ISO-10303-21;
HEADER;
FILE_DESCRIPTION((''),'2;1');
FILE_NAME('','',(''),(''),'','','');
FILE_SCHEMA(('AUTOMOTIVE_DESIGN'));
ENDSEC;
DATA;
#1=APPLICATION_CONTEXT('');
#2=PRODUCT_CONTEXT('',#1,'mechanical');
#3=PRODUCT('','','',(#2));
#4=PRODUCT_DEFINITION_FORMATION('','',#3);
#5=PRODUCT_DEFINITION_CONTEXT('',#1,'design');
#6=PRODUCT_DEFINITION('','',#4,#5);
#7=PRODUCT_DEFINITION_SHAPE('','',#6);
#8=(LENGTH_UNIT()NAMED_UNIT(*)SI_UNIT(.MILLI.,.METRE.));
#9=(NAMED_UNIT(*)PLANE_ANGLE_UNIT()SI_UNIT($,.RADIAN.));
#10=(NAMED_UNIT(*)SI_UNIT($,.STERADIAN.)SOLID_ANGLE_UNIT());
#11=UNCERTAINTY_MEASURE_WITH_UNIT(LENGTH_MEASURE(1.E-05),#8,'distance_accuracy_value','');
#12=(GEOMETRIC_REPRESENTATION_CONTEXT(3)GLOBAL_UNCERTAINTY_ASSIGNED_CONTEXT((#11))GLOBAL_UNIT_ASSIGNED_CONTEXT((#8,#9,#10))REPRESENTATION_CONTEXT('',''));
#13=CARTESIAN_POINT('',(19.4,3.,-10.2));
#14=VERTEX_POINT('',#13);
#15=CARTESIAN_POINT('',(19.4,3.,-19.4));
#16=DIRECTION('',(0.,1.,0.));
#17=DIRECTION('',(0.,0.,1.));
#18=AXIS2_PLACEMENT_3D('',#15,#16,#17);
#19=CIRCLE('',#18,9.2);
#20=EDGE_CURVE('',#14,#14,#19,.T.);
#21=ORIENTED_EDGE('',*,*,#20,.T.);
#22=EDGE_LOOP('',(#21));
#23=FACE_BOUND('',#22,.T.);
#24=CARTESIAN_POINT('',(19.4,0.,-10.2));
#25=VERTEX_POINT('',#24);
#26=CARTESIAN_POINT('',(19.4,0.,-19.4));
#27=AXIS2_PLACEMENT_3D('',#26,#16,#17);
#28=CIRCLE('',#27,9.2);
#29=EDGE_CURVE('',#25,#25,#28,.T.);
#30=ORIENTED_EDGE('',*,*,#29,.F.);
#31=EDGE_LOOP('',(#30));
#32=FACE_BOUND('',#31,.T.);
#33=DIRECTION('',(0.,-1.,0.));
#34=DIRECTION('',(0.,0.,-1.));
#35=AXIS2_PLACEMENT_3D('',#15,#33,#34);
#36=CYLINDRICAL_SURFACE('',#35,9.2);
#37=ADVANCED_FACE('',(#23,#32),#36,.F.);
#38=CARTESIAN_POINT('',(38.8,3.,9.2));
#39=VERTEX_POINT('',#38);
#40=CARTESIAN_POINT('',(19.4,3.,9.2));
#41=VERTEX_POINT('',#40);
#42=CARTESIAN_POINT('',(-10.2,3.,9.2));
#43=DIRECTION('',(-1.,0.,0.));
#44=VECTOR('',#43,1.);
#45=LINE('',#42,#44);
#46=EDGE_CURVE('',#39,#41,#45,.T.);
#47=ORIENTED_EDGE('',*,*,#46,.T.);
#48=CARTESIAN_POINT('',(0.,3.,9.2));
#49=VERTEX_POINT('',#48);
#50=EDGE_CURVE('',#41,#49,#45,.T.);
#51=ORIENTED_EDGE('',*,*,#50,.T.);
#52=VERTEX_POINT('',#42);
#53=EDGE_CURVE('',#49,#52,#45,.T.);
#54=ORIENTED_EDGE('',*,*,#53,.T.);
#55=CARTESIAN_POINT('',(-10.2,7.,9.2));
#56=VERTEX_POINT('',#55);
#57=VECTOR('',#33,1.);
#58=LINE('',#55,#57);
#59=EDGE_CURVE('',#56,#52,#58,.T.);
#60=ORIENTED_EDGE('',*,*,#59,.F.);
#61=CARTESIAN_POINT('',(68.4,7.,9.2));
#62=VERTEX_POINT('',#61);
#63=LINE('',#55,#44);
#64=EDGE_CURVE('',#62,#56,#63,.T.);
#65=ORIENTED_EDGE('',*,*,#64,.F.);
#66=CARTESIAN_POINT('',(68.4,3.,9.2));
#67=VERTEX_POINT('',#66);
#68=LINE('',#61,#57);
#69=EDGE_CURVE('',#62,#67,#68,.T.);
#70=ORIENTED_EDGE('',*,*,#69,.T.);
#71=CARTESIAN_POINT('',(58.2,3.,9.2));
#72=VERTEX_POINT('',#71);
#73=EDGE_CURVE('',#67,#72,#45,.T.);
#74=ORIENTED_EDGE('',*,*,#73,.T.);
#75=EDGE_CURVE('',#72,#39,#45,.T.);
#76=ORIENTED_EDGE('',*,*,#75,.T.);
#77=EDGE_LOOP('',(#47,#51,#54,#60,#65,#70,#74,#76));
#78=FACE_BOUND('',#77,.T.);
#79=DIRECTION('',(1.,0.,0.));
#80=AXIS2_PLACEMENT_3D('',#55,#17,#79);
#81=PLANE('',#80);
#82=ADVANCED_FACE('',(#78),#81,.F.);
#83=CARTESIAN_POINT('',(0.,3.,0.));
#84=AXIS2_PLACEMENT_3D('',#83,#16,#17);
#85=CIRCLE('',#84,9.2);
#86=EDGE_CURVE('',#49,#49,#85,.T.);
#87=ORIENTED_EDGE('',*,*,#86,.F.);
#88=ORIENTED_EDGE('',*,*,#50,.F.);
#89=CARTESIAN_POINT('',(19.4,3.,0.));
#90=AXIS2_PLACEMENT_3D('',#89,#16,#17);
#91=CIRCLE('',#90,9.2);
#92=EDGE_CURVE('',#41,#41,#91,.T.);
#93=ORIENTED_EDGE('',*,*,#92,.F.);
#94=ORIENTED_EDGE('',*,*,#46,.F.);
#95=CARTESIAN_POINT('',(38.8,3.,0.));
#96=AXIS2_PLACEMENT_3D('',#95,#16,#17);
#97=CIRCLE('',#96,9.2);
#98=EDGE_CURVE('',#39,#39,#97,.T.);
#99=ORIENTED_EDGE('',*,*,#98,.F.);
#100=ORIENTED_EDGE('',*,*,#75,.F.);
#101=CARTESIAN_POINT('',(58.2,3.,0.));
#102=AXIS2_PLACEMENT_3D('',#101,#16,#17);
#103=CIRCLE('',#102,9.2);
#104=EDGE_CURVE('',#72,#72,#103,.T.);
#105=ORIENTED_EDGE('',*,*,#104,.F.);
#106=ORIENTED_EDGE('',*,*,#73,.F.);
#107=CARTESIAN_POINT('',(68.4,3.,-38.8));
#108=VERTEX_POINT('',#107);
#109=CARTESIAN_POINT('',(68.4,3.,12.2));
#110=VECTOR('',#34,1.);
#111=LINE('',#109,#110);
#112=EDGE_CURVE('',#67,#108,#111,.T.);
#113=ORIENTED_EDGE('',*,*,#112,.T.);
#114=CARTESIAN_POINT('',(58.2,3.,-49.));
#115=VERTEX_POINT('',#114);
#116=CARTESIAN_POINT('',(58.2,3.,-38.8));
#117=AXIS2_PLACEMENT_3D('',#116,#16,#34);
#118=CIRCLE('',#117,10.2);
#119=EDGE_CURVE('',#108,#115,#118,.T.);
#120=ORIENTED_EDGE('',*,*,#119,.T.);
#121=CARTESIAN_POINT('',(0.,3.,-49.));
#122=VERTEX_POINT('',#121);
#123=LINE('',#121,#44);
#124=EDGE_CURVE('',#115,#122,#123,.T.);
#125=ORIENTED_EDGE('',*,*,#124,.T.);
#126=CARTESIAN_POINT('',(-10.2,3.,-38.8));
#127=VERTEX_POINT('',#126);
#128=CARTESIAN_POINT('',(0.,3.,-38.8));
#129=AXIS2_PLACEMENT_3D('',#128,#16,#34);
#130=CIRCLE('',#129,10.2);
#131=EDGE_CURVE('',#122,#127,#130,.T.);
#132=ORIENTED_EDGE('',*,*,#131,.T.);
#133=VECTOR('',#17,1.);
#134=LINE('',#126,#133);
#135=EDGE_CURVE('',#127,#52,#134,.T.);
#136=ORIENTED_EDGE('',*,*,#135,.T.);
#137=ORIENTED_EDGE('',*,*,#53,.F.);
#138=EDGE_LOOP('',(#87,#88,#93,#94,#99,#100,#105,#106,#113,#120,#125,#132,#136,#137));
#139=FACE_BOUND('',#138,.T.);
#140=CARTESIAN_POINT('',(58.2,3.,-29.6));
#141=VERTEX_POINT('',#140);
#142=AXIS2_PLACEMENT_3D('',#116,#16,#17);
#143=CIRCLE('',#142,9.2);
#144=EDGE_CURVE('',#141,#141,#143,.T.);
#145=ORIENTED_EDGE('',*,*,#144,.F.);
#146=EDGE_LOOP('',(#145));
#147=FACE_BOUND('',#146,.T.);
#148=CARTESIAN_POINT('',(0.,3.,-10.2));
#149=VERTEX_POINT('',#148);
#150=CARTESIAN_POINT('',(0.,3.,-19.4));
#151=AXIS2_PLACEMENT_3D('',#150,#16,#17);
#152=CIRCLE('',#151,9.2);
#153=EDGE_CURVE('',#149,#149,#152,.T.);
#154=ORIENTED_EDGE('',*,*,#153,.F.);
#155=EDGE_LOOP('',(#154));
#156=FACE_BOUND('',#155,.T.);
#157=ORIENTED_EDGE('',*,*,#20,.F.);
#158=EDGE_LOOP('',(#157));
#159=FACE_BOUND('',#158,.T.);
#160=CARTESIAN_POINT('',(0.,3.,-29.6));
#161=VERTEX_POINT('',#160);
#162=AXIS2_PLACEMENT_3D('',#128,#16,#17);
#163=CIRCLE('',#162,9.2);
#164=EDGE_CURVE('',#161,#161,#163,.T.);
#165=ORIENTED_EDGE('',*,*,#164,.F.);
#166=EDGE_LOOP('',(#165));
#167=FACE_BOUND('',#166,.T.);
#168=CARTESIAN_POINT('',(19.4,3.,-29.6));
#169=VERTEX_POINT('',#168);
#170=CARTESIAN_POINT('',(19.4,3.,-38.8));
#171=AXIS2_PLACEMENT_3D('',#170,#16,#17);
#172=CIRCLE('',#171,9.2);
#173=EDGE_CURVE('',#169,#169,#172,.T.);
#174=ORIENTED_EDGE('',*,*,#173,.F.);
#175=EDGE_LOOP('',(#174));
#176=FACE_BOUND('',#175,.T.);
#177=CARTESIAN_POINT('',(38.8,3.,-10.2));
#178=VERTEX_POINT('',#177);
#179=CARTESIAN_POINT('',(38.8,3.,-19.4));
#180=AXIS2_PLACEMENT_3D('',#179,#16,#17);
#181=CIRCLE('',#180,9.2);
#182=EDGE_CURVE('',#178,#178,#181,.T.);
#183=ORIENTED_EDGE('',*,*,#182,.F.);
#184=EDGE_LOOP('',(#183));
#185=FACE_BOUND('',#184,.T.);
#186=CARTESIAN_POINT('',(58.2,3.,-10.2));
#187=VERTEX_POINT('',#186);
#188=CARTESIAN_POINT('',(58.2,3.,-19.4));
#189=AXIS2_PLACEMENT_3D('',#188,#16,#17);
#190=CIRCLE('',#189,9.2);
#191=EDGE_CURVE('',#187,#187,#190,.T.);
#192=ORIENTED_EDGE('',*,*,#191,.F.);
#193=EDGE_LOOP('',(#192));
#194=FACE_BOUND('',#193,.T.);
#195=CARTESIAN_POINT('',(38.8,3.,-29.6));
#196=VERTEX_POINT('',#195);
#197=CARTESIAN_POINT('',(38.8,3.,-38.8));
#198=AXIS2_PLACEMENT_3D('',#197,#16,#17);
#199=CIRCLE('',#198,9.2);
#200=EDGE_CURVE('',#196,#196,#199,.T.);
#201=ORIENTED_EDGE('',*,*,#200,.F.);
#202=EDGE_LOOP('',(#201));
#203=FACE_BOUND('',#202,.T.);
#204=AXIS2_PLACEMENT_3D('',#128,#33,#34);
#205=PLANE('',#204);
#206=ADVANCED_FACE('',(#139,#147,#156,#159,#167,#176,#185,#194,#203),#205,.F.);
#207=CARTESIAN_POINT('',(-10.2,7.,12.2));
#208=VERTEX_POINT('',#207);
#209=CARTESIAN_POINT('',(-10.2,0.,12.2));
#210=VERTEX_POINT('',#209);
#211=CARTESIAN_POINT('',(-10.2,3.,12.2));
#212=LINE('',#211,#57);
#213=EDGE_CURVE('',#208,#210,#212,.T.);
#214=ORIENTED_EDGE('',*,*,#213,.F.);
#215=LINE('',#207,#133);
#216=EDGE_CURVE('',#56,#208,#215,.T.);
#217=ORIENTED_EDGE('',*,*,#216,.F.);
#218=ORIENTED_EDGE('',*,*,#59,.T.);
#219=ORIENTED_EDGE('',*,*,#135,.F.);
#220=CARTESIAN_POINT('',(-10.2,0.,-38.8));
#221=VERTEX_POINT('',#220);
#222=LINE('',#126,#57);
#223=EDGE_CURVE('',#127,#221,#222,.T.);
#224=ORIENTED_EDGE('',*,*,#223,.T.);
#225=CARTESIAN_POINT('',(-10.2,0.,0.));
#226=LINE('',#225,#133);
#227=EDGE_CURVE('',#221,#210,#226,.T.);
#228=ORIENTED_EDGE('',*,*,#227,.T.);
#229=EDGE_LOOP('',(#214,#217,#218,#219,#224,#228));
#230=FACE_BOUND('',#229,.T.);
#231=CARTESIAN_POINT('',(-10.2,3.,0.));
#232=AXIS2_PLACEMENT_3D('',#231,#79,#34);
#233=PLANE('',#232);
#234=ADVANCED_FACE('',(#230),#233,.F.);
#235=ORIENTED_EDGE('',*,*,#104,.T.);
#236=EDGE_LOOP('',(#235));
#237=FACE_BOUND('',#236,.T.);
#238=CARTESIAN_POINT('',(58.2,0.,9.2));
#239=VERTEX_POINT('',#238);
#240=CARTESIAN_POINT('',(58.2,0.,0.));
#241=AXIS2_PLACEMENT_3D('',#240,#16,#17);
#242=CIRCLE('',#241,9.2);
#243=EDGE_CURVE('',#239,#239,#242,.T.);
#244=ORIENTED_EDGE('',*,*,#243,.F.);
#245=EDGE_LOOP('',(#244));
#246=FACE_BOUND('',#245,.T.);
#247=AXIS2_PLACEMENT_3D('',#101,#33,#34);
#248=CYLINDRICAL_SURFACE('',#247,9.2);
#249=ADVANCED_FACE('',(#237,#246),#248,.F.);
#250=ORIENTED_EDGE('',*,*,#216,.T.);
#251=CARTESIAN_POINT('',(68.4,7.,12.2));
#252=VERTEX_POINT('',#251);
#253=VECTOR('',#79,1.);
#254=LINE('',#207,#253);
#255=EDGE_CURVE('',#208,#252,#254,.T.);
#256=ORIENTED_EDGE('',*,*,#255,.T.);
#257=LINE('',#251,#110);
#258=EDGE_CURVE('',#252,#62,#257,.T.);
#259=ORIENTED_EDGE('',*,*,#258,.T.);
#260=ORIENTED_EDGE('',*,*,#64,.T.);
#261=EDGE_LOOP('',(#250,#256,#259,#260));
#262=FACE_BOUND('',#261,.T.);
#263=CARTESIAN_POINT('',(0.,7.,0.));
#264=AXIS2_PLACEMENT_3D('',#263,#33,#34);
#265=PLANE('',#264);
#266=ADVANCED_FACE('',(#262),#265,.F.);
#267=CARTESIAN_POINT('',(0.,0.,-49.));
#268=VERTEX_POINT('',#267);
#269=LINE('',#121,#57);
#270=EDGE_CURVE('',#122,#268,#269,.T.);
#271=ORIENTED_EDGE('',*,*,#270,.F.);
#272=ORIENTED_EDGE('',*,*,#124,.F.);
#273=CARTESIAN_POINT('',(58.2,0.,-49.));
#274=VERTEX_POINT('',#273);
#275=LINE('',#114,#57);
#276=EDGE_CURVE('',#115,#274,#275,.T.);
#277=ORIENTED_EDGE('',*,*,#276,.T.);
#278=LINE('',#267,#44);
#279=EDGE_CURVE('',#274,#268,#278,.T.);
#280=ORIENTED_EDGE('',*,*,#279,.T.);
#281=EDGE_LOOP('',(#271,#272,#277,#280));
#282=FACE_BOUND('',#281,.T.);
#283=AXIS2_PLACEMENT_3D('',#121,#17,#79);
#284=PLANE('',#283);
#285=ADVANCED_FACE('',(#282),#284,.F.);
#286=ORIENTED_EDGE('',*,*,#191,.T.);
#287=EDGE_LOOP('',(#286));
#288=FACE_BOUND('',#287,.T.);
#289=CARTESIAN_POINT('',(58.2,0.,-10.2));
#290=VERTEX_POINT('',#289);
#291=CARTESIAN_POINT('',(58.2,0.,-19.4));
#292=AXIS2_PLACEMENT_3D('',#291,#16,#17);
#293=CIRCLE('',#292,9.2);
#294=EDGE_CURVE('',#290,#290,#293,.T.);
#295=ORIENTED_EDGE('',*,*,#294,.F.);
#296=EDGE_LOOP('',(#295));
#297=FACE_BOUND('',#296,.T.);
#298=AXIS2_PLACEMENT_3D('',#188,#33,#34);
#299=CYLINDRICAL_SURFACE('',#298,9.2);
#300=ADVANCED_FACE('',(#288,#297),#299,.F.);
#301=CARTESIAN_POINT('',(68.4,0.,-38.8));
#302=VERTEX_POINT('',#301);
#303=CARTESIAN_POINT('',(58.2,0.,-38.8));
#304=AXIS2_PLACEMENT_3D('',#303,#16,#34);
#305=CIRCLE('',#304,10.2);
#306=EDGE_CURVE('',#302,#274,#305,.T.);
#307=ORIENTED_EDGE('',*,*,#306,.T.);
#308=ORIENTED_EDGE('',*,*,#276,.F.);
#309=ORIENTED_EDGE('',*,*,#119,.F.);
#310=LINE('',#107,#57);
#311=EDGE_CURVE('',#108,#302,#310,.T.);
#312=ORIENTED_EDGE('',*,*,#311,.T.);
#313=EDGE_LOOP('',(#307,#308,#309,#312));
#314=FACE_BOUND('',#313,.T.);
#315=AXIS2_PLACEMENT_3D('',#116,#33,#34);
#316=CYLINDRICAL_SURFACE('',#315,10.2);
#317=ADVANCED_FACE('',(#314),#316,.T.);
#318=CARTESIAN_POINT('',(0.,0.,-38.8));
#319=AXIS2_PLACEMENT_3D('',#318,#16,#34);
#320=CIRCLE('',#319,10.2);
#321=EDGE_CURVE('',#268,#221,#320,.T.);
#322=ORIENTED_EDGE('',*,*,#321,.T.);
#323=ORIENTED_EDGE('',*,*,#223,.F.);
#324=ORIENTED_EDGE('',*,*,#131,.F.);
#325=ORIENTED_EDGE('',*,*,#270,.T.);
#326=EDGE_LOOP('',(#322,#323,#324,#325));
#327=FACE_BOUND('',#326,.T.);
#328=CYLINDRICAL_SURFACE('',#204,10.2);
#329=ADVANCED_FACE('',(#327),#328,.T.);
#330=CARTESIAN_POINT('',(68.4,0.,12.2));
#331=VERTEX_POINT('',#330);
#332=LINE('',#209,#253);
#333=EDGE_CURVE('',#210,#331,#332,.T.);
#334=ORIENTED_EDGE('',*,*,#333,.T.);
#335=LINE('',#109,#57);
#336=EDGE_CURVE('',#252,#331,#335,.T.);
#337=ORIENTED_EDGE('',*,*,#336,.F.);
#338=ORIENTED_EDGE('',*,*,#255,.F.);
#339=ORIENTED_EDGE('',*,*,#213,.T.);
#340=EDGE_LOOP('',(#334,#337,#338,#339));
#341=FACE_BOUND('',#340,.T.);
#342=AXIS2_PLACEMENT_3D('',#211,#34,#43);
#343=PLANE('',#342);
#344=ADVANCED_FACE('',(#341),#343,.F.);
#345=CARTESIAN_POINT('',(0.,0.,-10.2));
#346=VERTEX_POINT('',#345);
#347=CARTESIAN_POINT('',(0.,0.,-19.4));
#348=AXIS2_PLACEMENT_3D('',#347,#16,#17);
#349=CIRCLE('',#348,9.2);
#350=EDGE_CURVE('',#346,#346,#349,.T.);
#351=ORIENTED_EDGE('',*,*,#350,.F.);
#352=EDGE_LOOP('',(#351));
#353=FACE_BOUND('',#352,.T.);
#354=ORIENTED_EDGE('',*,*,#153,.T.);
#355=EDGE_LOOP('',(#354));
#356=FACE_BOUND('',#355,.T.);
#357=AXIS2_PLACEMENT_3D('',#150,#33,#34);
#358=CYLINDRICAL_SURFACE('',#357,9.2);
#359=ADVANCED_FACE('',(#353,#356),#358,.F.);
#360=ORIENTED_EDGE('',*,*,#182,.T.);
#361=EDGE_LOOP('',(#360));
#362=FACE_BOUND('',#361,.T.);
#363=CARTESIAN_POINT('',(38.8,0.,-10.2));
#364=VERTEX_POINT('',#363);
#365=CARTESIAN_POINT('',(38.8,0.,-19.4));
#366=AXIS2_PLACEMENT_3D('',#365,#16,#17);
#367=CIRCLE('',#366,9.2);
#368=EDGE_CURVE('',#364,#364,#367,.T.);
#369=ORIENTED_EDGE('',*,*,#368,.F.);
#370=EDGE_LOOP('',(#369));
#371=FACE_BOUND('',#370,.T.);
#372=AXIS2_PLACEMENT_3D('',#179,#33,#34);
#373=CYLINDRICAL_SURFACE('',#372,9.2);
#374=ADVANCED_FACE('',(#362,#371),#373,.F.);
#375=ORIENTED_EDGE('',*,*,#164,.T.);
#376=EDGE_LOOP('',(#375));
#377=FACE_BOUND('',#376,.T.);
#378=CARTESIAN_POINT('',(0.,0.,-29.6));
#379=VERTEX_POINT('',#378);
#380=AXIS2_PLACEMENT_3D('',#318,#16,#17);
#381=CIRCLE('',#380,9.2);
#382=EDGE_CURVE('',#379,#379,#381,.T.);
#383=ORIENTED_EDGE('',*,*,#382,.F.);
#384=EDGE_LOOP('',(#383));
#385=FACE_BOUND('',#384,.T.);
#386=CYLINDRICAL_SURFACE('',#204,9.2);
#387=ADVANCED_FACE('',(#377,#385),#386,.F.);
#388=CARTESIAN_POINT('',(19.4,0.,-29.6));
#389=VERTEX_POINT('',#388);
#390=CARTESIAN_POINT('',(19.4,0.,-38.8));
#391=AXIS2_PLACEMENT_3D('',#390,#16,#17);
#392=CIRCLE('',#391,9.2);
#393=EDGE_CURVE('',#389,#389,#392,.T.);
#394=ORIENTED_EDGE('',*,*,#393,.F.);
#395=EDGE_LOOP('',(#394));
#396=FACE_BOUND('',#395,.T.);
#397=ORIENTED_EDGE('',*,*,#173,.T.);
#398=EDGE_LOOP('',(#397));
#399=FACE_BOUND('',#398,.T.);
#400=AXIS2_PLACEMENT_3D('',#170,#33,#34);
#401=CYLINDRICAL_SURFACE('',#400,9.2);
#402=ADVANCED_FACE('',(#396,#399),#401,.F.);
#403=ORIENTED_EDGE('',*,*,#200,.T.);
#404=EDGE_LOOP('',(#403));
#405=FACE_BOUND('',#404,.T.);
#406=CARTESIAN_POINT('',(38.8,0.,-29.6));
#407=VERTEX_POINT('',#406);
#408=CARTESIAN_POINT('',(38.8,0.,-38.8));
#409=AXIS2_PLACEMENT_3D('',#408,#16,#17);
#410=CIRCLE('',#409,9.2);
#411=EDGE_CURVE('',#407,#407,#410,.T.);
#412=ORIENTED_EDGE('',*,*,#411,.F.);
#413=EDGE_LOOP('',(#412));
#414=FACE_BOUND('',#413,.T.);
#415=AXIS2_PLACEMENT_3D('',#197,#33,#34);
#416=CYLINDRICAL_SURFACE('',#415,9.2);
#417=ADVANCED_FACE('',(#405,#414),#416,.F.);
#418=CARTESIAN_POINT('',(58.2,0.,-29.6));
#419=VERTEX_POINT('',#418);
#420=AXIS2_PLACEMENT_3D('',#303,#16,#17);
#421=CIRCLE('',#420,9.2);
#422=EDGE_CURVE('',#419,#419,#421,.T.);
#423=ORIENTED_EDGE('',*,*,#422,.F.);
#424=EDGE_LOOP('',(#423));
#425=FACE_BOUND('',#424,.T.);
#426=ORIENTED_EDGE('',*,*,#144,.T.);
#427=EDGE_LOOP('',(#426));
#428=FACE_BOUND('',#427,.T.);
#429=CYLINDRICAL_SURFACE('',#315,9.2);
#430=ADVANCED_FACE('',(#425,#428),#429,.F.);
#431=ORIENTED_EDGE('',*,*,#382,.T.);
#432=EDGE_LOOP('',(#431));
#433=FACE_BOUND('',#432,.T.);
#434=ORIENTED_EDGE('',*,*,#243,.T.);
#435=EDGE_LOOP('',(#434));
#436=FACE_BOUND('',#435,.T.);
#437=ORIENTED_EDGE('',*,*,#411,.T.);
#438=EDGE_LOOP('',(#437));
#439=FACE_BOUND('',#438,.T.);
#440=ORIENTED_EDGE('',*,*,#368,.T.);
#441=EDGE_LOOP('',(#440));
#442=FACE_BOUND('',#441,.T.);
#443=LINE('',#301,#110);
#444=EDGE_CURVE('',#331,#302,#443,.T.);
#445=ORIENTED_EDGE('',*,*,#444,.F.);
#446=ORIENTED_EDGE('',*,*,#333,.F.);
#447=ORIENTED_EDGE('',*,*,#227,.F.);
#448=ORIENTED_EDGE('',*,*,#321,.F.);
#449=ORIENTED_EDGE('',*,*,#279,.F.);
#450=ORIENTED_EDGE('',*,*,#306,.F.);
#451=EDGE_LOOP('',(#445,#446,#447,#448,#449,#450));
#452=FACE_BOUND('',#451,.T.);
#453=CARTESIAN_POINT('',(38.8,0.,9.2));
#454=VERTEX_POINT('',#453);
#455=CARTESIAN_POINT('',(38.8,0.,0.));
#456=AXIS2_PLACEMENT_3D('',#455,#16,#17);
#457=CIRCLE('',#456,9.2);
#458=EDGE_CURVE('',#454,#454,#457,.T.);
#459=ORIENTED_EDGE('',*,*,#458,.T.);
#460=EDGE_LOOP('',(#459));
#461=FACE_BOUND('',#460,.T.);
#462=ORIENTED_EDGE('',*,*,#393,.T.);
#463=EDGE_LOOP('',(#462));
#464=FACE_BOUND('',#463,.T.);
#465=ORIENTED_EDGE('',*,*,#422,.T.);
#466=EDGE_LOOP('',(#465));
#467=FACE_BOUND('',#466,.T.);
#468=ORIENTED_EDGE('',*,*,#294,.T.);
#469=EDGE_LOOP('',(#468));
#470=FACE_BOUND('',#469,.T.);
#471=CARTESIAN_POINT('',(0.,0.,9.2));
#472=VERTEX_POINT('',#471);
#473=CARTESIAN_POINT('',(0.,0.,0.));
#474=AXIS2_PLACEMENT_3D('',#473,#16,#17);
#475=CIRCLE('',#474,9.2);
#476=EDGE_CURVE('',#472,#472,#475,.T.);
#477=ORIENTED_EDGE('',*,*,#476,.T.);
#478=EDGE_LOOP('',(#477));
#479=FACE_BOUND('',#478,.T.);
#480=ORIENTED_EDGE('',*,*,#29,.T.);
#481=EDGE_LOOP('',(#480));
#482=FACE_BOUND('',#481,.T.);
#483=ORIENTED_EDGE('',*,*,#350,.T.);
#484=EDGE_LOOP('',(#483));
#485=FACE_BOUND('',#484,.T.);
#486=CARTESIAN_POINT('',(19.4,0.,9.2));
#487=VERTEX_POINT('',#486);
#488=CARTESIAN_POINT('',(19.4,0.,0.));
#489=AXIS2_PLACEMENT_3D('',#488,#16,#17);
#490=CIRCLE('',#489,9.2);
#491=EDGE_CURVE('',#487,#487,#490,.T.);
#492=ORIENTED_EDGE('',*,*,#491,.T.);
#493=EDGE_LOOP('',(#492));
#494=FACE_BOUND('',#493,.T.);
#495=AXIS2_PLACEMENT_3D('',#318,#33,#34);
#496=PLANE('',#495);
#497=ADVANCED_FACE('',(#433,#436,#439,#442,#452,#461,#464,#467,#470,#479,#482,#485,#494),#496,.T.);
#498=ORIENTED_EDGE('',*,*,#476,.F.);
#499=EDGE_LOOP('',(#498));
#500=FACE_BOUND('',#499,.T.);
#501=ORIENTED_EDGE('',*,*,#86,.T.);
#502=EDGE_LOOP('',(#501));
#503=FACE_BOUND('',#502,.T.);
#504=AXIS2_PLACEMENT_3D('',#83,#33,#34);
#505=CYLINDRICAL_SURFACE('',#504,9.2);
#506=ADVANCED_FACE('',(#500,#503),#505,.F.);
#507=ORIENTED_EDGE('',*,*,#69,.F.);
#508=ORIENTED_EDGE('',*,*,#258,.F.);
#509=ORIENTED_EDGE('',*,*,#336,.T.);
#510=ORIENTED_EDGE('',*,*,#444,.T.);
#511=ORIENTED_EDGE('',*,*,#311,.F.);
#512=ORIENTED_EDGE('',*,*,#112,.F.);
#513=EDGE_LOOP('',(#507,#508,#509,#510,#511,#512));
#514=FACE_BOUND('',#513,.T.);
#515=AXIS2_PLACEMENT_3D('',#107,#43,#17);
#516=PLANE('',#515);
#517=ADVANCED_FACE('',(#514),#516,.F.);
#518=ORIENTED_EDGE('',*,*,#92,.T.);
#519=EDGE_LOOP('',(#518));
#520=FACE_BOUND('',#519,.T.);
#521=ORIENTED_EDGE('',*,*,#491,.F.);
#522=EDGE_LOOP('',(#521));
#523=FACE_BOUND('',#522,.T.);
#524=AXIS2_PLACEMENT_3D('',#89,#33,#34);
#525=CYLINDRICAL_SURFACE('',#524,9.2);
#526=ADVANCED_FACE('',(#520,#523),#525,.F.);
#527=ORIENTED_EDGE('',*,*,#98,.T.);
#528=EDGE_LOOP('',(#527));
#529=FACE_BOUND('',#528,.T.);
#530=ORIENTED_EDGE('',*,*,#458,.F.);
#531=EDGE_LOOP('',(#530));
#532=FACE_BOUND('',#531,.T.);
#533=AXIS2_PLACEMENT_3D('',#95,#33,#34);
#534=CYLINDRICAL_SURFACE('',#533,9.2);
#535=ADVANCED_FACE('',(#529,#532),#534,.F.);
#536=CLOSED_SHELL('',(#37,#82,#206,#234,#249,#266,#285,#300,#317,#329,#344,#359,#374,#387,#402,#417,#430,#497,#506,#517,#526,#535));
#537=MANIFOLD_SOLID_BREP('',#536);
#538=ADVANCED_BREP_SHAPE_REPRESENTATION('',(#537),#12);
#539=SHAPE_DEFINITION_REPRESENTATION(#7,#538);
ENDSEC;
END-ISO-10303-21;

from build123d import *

# Parameters (mm, degrees)
SKETCH1_R           = 9.2
BOSS_EXTRUDE1_DEPTH = 3
SKETCH2_W           = 78.6
SKETCH2_H           = 3
BOSS_EXTRUDE2_DEPTH = 4


with BuildPart() as part:
    # Sketch1 → Boss-Extrude1 (new body)
    with BuildSketch(Plane(origin=(0, 0, 0), x_dir=(1, 0, 0), z_dir=(0, 1, 0))):
        with BuildLine():
            Line((0, 49), (58.2, 49))
            ThreePointArc((58.2, 49), (65.412489168, 46.012489168), (68.4, 38.8))
            Line((68.4, 38.8), (68.4, 0))
            Line((68.4, 0), (68.4, -12.2))
            Line((68.4, -12.2), (-10.2, -12.2))
            Line((-10.2, -12.2), (-10.2, 0))
            Line((-10.2, 0), (-10.2, 38.8))
            ThreePointArc((-10.2, 38.8), (-7.212489168, 46.012489168), (0, 49))
        make_face()
        with Locations(Location((0, 0, 0), (0, 0, 270))):
            Circle(SKETCH1_R, mode=Mode.SUBTRACT)
        with Locations(Location((19.4, 0, 0), (0, 0, 270))):
            Circle(SKETCH1_R, mode=Mode.SUBTRACT)
        with Locations(Location((38.8, 0, 0), (0, 0, 270))):
            Circle(SKETCH1_R, mode=Mode.SUBTRACT)
        with Locations(Location((58.2, 0, 0), (0, 0, 270))):
            Circle(SKETCH1_R, mode=Mode.SUBTRACT)
        with Locations(Location((19.4, 19.4, 0), (0, 0, 270))):
            Circle(SKETCH1_R, mode=Mode.SUBTRACT)
        with Locations(Location((38.8, 19.4, 0), (0, 0, 270))):
            Circle(SKETCH1_R, mode=Mode.SUBTRACT)
        with Locations(Location((58.2, 19.4, 0), (0, 0, 270))):
            Circle(SKETCH1_R, mode=Mode.SUBTRACT)
        with Locations(Location((19.4, 38.8, 0), (0, 0, 270))):
            Circle(SKETCH1_R, mode=Mode.SUBTRACT)
        with Locations(Location((38.8, 38.8, 0), (0, 0, 270))):
            Circle(SKETCH1_R, mode=Mode.SUBTRACT)
        with Locations(Location((58.2, 38.8, 0), (0, 0, 270))):
            Circle(SKETCH1_R, mode=Mode.SUBTRACT)
        with Locations(Location((0, 19.4, 0), (0, 0, 270))):
            Circle(SKETCH1_R, mode=Mode.SUBTRACT)
        with Locations(Location((0, 38.8, 0), (0, 0, 270))):
            Circle(SKETCH1_R, mode=Mode.SUBTRACT)
    extrude(amount=BOSS_EXTRUDE1_DEPTH)

    # Sketch2 → Boss-Extrude2 (add)
    with BuildSketch(Plane(origin=(0, 3, 0), x_dir=(1, 0, 0), z_dir=(0, 1, 0))):
        with Locations((29.1, -10.7)):
            Rectangle(SKETCH2_W, SKETCH2_H)
    extrude(amount=BOSS_EXTRUDE2_DEPTH)


solid = part.part
